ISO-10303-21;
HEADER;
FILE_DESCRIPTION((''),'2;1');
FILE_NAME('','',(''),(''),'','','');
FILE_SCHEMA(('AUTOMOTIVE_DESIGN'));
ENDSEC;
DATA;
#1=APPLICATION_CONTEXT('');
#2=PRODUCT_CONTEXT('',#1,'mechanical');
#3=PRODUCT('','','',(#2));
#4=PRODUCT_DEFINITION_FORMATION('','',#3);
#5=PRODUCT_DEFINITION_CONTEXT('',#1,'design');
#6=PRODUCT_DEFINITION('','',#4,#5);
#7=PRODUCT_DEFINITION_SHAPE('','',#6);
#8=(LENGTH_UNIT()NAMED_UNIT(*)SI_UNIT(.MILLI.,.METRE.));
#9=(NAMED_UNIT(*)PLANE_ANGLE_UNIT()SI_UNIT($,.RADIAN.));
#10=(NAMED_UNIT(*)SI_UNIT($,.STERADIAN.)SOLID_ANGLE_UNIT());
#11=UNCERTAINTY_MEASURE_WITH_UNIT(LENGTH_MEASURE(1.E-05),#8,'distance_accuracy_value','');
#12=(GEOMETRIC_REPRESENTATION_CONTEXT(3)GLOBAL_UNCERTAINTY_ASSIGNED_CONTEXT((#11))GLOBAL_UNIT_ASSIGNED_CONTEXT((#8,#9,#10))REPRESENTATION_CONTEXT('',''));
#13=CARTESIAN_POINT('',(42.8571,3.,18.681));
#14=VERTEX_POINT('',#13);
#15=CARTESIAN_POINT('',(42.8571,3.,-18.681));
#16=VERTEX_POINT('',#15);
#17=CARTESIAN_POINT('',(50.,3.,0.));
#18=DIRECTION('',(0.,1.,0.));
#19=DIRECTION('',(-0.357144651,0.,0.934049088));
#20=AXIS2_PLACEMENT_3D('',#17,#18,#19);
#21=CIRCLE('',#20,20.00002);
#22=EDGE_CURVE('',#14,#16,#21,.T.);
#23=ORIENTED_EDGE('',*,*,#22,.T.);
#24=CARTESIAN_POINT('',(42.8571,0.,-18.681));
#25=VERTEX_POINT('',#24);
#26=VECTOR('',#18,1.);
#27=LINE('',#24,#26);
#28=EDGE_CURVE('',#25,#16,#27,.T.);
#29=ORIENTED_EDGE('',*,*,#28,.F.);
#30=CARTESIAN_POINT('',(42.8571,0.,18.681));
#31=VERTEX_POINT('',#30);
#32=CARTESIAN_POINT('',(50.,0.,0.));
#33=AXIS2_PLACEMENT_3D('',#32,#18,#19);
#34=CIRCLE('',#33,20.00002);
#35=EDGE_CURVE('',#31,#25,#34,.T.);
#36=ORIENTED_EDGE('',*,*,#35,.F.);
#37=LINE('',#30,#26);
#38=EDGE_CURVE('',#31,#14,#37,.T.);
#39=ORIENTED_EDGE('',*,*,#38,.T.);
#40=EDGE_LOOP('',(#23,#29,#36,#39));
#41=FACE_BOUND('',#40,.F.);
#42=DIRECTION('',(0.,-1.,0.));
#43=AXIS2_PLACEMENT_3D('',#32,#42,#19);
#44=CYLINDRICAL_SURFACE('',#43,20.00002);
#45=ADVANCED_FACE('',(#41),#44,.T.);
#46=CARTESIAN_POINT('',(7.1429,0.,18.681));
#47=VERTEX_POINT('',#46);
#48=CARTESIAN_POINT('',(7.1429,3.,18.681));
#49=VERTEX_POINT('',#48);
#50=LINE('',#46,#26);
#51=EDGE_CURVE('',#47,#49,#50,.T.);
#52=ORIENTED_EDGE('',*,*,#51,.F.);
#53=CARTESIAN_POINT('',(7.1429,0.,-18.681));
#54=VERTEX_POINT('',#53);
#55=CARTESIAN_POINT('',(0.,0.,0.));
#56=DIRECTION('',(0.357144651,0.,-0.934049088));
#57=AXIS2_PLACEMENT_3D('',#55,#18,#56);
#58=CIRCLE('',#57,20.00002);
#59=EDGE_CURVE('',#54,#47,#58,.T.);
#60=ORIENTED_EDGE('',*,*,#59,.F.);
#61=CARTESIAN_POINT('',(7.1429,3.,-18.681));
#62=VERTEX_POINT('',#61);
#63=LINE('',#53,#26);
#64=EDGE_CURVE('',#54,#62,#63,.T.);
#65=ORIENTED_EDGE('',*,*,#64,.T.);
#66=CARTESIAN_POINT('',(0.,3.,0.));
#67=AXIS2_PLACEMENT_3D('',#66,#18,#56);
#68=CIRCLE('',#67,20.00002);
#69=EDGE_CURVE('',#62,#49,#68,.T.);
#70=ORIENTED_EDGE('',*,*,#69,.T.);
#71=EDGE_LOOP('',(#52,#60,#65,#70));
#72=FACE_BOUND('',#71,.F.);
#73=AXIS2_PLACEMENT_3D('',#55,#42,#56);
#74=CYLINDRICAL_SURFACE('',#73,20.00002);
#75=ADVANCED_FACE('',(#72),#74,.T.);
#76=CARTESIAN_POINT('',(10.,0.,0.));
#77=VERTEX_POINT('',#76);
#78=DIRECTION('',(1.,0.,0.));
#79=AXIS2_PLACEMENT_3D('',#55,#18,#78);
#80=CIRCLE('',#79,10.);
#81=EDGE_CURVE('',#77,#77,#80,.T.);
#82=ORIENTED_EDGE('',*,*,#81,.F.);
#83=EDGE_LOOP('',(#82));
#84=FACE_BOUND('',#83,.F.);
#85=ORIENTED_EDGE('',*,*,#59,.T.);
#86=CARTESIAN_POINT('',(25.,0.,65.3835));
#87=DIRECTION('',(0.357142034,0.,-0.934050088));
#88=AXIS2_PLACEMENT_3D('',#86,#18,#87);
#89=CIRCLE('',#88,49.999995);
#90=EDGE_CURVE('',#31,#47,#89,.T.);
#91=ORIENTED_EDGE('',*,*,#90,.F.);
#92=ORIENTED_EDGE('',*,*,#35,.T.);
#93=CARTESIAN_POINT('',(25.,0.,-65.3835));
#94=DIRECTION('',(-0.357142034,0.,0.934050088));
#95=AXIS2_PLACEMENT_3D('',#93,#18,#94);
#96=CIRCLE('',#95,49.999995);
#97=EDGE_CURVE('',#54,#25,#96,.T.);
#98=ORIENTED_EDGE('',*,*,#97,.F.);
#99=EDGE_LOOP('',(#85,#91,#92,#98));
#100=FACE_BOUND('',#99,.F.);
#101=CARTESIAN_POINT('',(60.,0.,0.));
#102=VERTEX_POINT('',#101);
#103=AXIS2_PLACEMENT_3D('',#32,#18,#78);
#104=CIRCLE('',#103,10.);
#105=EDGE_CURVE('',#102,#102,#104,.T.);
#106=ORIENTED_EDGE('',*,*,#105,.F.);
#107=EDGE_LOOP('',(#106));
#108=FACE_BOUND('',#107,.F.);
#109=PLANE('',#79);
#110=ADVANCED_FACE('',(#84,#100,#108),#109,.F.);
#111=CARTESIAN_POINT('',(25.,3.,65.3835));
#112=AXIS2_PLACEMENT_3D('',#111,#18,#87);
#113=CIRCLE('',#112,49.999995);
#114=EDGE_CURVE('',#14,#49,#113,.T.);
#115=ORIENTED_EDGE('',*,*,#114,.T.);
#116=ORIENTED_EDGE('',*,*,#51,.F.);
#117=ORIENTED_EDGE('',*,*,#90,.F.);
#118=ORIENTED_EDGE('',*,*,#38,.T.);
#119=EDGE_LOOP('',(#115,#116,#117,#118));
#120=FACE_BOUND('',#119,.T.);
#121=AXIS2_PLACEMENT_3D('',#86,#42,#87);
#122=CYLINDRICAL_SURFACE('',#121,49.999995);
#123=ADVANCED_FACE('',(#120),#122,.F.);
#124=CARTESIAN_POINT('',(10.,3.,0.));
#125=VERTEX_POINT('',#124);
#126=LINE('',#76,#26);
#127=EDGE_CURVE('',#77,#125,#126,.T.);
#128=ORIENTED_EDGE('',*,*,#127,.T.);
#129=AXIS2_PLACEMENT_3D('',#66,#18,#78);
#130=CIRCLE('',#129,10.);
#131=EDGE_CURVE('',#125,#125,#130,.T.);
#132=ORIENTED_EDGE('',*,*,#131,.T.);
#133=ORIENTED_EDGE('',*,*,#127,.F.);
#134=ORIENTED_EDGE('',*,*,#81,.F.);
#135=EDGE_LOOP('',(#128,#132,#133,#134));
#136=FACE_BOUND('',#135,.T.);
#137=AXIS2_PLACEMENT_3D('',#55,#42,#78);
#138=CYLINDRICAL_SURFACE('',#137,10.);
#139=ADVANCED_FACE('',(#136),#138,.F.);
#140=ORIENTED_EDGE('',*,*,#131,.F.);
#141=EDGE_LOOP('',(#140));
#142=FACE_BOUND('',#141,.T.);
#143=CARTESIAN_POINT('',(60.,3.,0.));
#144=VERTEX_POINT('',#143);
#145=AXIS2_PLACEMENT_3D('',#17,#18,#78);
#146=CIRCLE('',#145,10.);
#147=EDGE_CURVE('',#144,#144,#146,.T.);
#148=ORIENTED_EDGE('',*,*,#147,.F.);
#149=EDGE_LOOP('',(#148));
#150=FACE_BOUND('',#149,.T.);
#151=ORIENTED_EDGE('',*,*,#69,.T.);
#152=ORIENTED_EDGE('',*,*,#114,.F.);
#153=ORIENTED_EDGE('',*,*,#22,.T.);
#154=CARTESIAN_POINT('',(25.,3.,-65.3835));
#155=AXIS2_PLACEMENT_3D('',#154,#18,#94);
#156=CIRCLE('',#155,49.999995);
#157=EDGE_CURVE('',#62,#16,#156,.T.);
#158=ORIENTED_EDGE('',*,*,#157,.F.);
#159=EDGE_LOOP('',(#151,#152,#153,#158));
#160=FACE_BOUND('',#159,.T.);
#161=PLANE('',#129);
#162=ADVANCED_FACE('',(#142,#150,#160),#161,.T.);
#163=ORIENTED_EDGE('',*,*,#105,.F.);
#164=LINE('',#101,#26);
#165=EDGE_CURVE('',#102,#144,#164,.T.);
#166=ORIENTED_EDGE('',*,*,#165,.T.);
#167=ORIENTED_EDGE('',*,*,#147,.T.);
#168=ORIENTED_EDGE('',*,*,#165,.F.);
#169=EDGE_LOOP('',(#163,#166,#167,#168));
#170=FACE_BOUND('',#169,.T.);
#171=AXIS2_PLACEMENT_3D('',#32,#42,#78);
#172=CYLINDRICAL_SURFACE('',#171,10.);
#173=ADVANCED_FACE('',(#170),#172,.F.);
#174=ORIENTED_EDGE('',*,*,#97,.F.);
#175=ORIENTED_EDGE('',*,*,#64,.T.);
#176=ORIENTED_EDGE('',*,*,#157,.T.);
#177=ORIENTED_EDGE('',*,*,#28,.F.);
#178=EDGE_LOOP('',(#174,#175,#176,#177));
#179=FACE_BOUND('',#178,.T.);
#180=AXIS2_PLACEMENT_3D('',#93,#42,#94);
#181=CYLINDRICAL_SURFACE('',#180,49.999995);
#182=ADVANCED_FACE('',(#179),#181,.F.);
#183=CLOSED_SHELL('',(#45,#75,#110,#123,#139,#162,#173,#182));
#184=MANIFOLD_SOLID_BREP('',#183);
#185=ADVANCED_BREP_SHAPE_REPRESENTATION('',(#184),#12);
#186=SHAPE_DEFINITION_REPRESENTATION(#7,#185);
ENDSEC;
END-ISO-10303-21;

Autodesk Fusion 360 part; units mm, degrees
sketch "Sketch1" plane through (0, 0, 0) normal (0, 1, 0) x (1, 0, 0)
  line L0 (0, 0) -> (50, 0) construction
  circle A0 centre (50, 0) radius 10
  circle A1 centre (0, 0) radius 10
  arc A2 (42.8571, -18.681) -> (7.1429, -18.681) centre (25, -65.3835) ccw
  arc A3 (7.1429, 18.681) -> (42.8571, 18.681) centre (25, 65.3835) ccw
  arc A4 (7.1429, 18.681) -> (7.1429, -18.681) centre (0, 0) ccw
  arc A5 (42.8571, -18.681) -> (42.8571, 18.681) centre (50, 0) ccw
  dimension "d13" = 50
  dimension "d14" = 40
  dimension "d15" = 40
  dimension "d16" = 20
  dimension "d17" = 20
  dimension "d18" = 100
  dimension "d19" = 100
extrude "Extrude1" add sketch "Sketch1" along normal blind 3
